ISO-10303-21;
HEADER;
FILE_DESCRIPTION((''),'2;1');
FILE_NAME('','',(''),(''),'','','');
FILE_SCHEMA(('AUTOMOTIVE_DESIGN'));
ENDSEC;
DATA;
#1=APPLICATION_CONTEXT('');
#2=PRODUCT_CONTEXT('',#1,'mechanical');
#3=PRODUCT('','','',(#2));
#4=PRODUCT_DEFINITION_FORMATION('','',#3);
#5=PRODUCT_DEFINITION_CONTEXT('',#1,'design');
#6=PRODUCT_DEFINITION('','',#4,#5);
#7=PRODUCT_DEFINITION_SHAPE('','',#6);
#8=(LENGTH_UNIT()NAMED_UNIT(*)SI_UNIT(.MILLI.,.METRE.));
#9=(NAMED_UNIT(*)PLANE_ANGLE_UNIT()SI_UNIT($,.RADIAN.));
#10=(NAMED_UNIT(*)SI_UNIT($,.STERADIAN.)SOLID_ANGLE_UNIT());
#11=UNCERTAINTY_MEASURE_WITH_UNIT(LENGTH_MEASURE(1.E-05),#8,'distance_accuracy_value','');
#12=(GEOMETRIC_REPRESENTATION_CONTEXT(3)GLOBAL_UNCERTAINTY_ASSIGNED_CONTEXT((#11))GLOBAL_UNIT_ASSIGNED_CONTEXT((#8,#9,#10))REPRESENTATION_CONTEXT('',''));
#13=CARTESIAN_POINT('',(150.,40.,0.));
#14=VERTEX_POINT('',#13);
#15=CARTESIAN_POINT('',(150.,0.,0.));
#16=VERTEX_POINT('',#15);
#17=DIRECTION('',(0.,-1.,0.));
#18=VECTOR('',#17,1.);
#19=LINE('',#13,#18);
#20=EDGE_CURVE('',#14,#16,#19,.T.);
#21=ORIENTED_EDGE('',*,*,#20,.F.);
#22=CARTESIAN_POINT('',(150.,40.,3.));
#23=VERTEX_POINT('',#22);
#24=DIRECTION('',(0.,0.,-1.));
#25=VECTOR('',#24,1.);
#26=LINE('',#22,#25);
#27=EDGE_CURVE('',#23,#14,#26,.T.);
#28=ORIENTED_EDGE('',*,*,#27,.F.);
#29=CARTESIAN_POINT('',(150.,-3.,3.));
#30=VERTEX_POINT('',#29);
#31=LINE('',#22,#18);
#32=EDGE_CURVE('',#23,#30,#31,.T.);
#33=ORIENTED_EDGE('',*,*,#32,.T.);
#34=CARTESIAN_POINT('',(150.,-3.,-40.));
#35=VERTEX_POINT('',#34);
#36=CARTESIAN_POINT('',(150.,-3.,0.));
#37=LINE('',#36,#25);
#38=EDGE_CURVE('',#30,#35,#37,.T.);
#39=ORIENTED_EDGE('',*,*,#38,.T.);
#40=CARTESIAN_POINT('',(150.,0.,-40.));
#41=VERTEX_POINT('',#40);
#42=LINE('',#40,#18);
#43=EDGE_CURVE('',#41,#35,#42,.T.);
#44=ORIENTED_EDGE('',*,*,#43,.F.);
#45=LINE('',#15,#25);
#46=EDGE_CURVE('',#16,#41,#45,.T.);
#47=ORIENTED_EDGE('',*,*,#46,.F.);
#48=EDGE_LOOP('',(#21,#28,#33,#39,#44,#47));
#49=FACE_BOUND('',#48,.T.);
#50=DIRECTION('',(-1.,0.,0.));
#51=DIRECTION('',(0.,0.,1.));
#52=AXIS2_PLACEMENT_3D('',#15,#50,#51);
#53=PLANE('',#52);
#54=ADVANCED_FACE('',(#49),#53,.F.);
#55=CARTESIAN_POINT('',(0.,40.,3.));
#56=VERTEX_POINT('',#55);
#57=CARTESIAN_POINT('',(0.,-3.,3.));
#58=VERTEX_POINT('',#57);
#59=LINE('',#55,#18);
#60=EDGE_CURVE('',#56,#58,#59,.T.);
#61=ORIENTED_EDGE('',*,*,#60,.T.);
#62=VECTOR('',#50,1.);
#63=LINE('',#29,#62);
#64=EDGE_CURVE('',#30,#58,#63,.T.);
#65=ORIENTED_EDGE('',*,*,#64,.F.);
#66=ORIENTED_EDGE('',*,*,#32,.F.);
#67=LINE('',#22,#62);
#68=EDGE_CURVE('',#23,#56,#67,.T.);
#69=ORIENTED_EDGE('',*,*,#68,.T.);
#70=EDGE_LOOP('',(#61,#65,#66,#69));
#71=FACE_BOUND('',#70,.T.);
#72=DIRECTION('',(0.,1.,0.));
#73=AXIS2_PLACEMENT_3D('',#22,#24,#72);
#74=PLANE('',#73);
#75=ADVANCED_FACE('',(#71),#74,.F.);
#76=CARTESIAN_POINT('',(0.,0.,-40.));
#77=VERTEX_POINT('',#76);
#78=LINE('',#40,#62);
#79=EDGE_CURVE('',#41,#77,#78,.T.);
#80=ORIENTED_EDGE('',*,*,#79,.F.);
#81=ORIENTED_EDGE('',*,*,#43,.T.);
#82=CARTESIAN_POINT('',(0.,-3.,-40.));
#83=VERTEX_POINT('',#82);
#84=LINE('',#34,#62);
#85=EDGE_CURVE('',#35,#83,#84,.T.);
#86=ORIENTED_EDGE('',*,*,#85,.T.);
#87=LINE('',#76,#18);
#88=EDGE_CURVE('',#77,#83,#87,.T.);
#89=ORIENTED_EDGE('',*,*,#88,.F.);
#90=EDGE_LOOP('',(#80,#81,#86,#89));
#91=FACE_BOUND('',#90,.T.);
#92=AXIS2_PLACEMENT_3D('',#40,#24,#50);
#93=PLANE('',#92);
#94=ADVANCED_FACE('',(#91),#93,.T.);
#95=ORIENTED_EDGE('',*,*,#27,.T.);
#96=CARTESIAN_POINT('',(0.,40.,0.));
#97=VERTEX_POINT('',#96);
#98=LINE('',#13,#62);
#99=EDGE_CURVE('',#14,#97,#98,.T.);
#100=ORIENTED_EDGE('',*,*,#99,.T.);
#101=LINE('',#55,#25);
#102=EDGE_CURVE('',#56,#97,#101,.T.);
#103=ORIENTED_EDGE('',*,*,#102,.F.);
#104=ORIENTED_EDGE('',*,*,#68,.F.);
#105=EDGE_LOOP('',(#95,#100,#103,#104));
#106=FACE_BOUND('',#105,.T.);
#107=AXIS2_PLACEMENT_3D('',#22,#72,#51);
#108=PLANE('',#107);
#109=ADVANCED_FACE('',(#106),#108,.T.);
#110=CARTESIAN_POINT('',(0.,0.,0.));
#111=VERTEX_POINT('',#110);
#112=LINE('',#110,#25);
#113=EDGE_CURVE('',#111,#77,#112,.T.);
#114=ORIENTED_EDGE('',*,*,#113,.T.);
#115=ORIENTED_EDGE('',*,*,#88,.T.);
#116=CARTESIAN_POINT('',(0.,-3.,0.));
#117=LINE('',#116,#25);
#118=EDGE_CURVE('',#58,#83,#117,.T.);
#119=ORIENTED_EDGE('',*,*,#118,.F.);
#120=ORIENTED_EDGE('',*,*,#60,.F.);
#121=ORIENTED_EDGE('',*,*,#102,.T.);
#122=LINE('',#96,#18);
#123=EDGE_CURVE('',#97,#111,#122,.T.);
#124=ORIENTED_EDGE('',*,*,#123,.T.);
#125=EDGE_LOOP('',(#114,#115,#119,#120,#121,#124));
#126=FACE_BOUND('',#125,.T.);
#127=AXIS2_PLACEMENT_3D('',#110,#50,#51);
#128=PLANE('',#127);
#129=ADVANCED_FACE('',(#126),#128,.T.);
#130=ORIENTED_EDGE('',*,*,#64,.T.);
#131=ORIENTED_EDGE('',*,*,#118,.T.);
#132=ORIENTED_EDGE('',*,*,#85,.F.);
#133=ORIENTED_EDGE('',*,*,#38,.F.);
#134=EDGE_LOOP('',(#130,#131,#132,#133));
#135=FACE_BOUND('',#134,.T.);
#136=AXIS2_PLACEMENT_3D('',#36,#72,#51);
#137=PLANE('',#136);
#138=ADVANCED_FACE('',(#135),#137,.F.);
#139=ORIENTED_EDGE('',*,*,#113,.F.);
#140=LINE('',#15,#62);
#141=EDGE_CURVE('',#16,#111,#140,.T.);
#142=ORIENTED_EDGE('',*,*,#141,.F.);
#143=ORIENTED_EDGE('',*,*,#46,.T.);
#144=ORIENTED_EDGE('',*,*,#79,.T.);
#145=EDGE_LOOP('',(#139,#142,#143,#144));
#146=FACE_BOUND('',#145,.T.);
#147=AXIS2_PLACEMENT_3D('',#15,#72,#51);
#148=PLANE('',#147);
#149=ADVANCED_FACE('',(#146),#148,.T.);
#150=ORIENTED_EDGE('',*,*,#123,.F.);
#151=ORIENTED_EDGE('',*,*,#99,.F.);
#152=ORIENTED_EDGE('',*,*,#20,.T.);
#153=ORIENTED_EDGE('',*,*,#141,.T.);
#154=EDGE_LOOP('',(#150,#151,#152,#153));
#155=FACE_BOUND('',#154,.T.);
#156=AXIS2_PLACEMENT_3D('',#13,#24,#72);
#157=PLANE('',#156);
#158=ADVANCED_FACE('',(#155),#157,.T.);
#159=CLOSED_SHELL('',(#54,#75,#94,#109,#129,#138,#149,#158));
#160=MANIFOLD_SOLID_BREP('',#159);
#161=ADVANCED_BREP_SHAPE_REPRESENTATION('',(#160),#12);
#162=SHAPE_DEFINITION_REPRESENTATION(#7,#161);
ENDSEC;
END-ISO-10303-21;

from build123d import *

# Parameters (mm, degrees)
EXTRUDE_1_DEPTH = 150


with BuildPart() as part:
    # Эскиз1 → Вытянуть-Тонкостенный1 (new body)
    with BuildSketch(Plane(origin=(0, 0, 0), x_dir=(0, 0, -1), z_dir=(1, 0, 0))):
        Polygon((0, 40), (0, 0), (40, 0), (40, -3), (-3, -3), (-3, 40), align=None)
    extrude(amount=EXTRUDE_1_DEPTH)


solid = part.part
